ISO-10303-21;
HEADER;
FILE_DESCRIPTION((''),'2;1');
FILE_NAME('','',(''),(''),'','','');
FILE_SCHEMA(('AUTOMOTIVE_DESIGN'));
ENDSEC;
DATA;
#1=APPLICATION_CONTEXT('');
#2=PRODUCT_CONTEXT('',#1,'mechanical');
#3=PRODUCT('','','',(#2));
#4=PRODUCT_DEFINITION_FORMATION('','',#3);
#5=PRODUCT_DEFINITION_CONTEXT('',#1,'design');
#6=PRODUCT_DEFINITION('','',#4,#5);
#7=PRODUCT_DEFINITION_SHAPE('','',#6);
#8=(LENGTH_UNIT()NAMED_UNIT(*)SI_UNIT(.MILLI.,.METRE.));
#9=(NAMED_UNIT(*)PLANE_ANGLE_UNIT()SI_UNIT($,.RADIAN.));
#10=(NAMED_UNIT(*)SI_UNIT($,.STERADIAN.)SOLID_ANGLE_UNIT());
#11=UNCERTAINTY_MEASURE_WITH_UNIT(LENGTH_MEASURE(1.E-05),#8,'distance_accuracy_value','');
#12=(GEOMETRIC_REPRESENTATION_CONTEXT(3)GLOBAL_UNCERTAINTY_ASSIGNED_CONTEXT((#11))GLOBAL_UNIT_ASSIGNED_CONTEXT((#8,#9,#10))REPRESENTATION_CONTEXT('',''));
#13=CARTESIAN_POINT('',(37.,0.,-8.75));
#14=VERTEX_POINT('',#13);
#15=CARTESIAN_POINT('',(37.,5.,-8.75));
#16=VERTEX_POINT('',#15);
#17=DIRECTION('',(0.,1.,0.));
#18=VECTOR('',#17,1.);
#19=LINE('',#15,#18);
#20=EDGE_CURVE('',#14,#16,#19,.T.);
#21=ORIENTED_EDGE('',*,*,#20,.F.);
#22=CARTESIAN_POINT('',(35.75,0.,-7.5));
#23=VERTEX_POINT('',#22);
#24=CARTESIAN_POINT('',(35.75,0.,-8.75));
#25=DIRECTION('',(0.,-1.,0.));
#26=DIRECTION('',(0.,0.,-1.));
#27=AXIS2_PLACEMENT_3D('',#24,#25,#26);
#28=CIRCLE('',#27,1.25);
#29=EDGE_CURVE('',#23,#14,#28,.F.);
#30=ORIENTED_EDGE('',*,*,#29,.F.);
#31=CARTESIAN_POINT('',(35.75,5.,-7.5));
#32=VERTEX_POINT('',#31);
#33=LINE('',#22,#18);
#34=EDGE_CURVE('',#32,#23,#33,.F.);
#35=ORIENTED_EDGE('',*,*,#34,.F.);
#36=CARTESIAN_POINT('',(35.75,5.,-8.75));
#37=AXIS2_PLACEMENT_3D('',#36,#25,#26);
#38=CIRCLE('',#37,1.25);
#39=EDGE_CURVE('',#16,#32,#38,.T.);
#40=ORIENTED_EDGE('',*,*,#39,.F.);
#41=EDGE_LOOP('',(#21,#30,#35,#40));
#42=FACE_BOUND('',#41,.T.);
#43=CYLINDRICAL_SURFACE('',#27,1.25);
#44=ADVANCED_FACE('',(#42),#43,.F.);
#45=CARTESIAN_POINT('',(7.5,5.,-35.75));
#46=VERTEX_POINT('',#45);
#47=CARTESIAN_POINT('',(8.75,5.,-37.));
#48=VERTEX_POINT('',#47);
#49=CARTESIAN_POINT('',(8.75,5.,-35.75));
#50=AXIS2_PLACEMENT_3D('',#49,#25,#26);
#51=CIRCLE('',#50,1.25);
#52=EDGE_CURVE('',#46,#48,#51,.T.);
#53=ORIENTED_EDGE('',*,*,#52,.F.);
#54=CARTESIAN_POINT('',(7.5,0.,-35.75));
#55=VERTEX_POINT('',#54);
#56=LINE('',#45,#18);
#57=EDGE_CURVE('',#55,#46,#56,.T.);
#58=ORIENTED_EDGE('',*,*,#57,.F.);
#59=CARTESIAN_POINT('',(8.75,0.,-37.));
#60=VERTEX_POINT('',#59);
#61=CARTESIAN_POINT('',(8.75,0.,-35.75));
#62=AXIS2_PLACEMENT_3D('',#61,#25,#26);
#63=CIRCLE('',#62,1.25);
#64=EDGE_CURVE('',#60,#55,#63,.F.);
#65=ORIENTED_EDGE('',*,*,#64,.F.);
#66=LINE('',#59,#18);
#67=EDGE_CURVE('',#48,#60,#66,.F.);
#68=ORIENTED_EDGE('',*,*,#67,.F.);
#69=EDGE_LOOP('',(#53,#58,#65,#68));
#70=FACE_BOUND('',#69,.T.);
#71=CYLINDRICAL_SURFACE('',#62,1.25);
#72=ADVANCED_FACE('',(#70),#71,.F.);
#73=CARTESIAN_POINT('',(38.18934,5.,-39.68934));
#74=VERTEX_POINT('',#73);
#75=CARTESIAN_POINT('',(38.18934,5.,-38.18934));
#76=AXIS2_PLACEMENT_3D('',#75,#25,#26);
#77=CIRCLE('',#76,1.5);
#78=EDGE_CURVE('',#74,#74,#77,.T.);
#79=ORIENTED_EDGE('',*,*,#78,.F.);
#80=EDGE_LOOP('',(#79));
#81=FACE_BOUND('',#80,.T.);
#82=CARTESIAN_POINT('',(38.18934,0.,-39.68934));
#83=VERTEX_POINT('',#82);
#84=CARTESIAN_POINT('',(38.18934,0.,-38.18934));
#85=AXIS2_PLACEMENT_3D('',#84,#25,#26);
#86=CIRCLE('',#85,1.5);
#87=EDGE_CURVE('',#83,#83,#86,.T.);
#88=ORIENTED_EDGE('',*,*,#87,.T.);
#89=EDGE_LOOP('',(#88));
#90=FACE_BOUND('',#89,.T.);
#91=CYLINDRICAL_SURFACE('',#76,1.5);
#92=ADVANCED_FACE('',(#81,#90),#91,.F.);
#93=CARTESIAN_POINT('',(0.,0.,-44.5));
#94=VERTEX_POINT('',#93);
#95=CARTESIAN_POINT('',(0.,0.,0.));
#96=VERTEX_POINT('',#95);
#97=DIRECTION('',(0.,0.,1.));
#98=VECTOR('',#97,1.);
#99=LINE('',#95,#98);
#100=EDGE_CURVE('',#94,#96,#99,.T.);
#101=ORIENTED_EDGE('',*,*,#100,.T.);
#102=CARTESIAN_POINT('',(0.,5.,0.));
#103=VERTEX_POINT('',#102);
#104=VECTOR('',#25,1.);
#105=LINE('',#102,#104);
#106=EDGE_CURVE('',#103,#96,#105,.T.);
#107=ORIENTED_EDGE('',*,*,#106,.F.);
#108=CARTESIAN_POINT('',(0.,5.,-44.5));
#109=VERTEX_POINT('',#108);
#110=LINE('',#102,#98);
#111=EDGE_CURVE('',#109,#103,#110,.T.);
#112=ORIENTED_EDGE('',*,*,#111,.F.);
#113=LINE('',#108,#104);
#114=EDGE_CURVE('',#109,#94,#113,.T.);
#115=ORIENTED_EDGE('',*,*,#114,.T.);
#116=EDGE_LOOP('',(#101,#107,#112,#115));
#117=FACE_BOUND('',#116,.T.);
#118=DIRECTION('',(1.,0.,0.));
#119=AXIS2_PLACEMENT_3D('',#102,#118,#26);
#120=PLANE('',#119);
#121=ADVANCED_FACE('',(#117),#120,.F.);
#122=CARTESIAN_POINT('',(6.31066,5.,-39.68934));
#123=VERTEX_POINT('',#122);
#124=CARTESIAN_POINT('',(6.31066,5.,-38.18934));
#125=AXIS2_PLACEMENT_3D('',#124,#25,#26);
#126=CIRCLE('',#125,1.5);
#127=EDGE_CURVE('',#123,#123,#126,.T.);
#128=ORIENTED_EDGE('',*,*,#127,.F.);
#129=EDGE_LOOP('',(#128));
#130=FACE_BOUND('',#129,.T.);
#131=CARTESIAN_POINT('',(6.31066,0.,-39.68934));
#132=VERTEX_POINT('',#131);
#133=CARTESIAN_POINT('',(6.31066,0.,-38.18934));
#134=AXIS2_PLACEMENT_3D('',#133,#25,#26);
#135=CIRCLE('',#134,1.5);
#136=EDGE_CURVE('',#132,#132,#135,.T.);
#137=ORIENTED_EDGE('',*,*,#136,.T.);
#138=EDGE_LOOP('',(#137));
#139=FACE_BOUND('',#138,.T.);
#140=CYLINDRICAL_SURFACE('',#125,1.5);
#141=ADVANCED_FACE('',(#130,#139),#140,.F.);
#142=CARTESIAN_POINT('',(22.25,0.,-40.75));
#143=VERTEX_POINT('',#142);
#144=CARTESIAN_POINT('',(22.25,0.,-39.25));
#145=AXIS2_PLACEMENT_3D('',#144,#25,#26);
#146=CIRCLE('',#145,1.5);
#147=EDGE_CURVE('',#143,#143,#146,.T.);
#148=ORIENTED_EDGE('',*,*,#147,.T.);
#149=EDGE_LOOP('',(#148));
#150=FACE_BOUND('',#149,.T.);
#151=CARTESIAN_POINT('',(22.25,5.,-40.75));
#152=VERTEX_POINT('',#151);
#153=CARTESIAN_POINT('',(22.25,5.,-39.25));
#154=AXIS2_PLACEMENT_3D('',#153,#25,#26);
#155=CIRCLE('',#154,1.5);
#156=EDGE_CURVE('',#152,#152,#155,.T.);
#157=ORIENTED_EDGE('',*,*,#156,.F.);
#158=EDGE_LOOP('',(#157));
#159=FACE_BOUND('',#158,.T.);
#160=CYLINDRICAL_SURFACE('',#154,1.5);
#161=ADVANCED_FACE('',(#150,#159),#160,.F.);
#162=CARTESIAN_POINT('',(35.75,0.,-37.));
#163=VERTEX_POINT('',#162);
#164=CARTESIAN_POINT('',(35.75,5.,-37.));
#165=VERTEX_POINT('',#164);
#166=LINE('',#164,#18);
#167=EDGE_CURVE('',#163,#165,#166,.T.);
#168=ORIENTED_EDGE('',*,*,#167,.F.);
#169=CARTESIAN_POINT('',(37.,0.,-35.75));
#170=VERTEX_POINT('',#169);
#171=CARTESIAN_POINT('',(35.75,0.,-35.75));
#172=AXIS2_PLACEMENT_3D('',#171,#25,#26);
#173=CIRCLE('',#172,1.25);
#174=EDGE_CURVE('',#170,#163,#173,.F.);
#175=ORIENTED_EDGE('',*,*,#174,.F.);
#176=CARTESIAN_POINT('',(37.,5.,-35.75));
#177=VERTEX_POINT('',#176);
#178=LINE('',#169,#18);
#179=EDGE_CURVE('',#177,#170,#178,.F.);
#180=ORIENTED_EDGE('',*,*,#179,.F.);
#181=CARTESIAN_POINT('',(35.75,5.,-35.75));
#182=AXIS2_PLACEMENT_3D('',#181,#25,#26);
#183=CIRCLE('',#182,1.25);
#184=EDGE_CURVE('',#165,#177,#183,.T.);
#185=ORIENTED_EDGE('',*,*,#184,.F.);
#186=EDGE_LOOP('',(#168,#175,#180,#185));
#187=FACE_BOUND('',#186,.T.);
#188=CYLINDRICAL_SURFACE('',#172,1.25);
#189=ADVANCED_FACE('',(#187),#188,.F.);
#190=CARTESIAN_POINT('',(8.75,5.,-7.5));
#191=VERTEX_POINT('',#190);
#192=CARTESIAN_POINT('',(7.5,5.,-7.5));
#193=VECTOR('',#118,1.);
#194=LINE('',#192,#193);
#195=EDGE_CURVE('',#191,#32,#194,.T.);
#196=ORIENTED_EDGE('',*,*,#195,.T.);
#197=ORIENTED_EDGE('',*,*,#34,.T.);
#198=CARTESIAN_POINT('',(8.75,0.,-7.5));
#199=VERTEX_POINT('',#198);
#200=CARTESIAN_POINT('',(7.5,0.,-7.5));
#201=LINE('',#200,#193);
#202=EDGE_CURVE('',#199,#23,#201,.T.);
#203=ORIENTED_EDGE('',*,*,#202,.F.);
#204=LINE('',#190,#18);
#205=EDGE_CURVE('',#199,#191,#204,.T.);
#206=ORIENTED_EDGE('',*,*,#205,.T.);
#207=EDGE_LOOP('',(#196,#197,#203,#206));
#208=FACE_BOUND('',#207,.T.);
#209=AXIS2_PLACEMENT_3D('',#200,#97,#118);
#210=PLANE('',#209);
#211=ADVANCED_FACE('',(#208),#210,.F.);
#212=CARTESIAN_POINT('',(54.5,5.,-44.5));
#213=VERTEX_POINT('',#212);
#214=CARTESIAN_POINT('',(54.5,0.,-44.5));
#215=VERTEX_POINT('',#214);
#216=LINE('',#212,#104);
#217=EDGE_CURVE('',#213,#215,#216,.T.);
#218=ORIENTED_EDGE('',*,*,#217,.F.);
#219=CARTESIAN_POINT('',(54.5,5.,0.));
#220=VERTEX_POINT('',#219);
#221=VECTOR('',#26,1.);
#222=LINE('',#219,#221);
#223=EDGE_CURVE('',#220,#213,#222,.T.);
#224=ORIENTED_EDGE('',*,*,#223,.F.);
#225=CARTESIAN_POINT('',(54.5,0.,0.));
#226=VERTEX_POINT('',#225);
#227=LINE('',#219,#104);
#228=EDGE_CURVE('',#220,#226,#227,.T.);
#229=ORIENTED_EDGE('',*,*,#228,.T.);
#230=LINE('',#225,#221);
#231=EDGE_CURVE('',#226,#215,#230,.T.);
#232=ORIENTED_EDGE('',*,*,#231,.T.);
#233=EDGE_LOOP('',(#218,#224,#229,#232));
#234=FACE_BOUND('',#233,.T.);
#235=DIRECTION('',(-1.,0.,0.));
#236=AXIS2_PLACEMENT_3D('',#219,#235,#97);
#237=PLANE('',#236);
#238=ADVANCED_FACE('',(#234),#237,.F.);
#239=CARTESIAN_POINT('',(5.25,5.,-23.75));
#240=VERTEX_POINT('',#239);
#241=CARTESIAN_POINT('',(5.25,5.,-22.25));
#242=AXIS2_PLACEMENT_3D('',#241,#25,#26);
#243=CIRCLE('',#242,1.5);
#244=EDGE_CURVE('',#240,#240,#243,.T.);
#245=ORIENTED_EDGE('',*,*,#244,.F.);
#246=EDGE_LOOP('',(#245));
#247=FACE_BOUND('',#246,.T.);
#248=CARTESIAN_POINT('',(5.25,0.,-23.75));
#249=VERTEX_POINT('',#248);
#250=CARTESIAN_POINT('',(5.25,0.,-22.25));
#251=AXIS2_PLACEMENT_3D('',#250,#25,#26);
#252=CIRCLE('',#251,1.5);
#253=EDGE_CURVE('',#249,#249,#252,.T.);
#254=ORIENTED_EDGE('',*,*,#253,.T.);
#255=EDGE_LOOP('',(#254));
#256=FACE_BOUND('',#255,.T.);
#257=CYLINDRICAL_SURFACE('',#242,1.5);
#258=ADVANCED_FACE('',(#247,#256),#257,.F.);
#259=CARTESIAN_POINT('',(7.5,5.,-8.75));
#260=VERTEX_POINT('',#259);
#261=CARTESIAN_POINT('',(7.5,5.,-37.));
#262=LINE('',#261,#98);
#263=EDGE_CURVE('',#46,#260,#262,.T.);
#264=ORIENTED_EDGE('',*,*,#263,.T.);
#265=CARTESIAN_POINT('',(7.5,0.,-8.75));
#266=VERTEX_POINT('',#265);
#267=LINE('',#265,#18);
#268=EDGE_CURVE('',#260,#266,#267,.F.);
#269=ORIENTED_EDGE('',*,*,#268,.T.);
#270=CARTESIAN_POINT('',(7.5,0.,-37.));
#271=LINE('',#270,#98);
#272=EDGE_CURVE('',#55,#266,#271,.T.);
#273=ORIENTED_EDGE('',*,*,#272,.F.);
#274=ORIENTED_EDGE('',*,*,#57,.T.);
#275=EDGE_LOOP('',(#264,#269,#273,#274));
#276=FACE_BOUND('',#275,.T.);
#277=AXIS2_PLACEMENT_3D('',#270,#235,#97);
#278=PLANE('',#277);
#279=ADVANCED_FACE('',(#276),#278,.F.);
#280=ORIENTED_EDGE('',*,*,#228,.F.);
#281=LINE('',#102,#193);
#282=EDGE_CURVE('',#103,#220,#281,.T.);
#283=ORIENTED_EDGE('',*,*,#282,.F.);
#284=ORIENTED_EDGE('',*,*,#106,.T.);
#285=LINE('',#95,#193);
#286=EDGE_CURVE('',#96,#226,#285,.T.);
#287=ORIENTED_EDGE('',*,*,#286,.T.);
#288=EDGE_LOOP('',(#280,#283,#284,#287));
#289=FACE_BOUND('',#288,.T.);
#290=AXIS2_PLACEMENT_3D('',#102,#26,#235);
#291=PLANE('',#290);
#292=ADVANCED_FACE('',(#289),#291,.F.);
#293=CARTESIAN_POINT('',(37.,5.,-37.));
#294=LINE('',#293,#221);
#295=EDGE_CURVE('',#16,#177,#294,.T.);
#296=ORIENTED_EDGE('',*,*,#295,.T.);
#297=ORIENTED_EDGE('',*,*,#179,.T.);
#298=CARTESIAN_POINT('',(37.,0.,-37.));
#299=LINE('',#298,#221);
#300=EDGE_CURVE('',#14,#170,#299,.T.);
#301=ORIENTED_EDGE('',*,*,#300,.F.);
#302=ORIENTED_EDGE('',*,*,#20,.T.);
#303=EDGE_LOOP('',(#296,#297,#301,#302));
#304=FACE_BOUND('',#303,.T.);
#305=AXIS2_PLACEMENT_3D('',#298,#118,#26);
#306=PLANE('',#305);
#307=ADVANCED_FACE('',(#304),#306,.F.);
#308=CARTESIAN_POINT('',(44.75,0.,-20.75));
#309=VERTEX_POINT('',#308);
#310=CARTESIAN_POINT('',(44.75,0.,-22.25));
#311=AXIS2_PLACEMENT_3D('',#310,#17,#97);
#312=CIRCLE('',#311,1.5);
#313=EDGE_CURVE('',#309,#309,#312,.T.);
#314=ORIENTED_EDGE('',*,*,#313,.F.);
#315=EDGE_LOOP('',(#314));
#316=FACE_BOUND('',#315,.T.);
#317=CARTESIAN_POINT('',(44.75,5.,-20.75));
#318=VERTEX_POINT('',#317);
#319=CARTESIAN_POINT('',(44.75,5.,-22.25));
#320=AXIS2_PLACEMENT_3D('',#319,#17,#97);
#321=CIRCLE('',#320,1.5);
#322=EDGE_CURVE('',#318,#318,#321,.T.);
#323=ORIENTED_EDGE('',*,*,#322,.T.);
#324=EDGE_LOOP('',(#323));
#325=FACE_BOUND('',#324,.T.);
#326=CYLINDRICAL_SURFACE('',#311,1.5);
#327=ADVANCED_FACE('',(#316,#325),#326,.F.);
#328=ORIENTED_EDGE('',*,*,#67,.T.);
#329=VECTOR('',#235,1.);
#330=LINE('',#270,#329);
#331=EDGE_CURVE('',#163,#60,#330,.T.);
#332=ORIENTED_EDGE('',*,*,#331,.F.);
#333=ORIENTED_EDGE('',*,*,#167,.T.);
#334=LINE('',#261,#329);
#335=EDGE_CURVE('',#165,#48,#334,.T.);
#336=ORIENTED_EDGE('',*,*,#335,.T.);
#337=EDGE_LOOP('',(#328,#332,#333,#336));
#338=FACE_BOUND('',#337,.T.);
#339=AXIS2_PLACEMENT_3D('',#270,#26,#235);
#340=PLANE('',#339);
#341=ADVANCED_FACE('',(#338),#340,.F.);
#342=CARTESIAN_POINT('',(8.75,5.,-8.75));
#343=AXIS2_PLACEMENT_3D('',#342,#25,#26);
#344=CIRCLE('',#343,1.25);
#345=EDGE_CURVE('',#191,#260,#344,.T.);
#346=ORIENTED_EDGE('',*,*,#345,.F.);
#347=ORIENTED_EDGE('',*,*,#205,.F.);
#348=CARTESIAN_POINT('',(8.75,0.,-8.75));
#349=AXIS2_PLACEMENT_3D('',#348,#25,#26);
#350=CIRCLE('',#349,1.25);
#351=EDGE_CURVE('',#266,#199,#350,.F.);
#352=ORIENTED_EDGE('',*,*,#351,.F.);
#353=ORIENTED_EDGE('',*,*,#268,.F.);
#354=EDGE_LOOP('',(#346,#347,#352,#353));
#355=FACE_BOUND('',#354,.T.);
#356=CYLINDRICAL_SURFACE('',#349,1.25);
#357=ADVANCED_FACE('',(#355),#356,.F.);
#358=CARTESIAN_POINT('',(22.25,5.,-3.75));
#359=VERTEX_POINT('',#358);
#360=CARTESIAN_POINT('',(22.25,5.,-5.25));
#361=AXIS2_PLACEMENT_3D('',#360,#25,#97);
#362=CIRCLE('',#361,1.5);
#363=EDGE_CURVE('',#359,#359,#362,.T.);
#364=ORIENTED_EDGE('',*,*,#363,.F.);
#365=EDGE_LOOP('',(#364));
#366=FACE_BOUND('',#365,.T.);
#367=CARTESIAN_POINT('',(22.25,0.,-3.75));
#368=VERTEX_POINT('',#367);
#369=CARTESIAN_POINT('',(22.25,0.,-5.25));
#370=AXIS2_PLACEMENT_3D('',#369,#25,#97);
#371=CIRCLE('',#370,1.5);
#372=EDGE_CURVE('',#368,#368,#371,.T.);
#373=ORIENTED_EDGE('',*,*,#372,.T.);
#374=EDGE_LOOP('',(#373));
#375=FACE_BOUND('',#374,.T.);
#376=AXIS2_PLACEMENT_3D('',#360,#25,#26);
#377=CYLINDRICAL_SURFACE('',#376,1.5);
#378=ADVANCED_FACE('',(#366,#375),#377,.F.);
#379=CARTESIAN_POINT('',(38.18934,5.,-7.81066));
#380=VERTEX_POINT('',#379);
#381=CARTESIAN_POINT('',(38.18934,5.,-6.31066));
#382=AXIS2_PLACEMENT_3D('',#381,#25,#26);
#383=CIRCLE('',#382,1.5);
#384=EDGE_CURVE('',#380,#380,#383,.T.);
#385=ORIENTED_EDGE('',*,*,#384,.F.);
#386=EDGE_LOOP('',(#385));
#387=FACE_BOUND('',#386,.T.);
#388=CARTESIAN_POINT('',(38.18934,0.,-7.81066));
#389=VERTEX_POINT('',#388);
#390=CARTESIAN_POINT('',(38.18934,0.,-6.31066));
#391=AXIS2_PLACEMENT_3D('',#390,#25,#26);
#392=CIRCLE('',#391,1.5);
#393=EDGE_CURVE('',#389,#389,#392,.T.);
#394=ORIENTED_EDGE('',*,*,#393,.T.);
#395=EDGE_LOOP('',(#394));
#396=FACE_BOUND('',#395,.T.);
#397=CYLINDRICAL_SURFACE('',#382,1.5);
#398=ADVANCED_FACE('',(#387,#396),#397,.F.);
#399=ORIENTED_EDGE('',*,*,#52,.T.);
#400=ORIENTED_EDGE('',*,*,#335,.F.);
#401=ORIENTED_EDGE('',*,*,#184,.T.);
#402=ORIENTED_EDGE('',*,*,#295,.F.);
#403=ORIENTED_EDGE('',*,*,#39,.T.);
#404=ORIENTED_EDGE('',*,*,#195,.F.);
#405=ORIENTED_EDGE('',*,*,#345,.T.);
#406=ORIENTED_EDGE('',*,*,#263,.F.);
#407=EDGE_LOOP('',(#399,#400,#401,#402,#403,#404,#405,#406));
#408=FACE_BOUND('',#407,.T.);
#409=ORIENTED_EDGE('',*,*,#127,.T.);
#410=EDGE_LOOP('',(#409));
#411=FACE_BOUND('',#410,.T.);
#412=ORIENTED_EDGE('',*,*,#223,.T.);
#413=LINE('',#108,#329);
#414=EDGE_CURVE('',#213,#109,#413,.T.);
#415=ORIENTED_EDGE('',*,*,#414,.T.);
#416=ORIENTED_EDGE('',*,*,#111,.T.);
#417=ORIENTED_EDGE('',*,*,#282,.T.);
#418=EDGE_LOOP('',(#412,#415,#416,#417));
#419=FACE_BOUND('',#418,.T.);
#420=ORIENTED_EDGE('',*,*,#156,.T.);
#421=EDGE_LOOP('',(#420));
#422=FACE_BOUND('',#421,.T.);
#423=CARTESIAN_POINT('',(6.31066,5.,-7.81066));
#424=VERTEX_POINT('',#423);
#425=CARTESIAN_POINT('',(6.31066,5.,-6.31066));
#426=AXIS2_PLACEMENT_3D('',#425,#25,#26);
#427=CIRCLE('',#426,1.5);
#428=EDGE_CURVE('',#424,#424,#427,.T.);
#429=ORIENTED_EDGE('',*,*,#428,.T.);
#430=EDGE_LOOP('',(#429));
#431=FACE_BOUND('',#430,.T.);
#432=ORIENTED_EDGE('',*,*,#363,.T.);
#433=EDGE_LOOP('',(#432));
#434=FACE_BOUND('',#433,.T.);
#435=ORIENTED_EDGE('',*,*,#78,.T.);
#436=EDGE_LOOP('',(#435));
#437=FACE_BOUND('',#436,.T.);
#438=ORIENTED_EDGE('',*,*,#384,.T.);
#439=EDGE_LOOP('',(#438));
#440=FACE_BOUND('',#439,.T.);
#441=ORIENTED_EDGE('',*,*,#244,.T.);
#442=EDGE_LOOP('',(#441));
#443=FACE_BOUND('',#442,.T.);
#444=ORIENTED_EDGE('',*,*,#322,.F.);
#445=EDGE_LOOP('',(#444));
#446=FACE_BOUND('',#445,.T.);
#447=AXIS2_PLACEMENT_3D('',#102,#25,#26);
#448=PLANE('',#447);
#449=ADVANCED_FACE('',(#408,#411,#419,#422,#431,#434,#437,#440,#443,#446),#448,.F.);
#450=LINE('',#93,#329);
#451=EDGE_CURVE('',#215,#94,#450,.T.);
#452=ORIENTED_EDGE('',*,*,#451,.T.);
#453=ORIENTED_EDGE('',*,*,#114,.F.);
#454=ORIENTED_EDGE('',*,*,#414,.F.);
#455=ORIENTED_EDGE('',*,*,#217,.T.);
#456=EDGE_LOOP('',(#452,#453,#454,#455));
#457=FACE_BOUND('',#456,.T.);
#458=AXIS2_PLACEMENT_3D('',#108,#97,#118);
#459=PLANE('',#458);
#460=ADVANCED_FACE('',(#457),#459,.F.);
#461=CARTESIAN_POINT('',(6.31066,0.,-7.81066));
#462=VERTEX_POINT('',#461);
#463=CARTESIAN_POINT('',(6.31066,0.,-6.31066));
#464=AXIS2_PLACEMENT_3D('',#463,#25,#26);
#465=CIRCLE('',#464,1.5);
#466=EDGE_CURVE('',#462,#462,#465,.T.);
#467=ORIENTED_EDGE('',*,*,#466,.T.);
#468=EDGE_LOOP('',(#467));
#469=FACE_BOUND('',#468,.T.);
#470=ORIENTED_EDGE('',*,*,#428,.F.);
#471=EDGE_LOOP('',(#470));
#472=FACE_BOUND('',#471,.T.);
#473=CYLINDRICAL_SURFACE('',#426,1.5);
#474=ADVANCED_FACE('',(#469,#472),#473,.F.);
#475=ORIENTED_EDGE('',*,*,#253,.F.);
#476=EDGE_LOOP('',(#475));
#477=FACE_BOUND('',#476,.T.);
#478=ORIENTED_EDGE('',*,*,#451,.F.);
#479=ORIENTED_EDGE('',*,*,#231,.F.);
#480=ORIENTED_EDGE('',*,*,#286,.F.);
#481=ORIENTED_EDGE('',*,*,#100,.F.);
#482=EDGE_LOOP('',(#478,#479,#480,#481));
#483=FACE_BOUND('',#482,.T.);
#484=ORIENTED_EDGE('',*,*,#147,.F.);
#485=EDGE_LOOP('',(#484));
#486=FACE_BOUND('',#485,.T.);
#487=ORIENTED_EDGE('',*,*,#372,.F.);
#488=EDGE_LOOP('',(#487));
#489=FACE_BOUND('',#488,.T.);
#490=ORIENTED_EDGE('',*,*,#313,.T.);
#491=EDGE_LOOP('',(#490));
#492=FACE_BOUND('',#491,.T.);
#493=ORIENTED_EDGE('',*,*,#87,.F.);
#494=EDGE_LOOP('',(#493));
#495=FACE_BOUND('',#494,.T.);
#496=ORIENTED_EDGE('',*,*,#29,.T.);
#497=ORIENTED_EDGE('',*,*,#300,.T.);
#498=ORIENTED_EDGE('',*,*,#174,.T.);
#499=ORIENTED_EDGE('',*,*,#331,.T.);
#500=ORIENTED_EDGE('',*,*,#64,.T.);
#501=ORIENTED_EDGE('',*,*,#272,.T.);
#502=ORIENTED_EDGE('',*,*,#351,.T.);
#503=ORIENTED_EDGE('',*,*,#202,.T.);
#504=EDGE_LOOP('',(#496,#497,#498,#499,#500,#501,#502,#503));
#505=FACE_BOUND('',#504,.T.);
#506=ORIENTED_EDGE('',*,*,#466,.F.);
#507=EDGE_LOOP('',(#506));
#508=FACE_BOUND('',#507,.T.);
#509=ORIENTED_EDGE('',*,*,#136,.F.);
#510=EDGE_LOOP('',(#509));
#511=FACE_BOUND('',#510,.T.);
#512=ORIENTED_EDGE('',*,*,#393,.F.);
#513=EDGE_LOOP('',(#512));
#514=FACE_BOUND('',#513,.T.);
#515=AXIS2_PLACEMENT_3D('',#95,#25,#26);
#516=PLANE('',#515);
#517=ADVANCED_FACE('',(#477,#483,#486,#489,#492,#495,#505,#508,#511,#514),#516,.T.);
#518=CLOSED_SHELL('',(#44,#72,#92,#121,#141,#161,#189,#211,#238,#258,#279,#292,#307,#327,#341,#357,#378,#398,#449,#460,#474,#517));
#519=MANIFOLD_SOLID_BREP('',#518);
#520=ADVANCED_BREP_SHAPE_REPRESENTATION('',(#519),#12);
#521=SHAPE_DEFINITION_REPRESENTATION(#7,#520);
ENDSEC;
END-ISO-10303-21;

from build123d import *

# Parameters (mm, degrees)
SKETCH_1_W          = 54.5
SKETCH_1_H          = 44.5
EXTRUDE_1_DEPTH     = 5
SKETCH_2_W          = 29.5
SKETCH_2_H          = 29.5
CUT_EXTRUDE_1_DEPTH = 71.537224215
FILLET_1_R          = 1.25
SKETCH_4_R          = 1.5
CUT_EXTRUDE_2_DEPTH = 71.537224215
SKETCH_7_R          = 1.5
CUT_EXTRUDE_3_DEPTH = 71.537224215


with BuildPart() as part:
    # Эскиз1 → Бобышка-Вытянуть1 (new body)
    with BuildSketch(Plane(origin=(0, 0, 0), x_dir=(1, 0, 0), z_dir=(0, 1, 0))):
        with Locations((27.25, 22.25)):
            Rectangle(SKETCH_1_W, SKETCH_1_H)
    extrude(amount=EXTRUDE_1_DEPTH)

    # Эскиз2 → Вырез-Вытянуть1 (cut, through all)
    with BuildSketch(Plane(origin=(0, 5, 0), x_dir=(1, 0, 0), z_dir=(0, 1, 0))):
        with Locations((22.25, 22.25)):
            Rectangle(SKETCH_2_W, SKETCH_2_H)
    extrude(amount=-CUT_EXTRUDE_1_DEPTH, mode=Mode.SUBTRACT)

    # Скругление1
    fillet_1_edges = [part.edges().sort_by_distance(p)[0] for p in [
        (7.5, 2.5, -7.5),
        (7.5, 2.5, -37),
        (37, 2.5, -37),
        (37, 2.5, -7.5),
    ]]
    fillet(fillet_1_edges, radius=FILLET_1_R)

    # Эскиз4 → Вырез-Вытянуть2 (cut, through all)
    with BuildSketch(Plane(origin=(0, 5, 0), x_dir=(1, 0, 0), z_dir=(0, 1, 0))):
        with Locations(Location((44.75, 22.25, 0), (0, 0, 270))):
            Circle(SKETCH_4_R)
    extrude(amount=-CUT_EXTRUDE_2_DEPTH, mode=Mode.SUBTRACT)

    # Эскиз7 → Вырез-Вытянуть3 (cut, through all)
    with BuildSketch(Plane.XZ):
        with Locations(Location((6.310660172, -38.189339828, 0), (0, 0, 270))):
            Circle(SKETCH_7_R)
        with Locations(Location((38.189339828, -38.189339828, 0), (0, 0, 270))):
            Circle(SKETCH_7_R)
        with Locations(Location((6.310660172, -6.310660172, 0), (0, 0, 270))):
            Circle(SKETCH_7_R)
        with Locations(Location((38.189339828, -6.310660172, 0), (0, 0, 270))):
            Circle(SKETCH_7_R)
        with Locations(Location((22.25, -39.25, 0), (0, 0, 270))):
            Circle(SKETCH_7_R)
        with Locations(Location((5.25, -22.25, 0), (0, 0, 270))):
            Circle(SKETCH_7_R)
        with Locations(Location((22.25, -5.25, 0), (0, 0, 90))):
            Circle(SKETCH_7_R)
    extrude(amount=-CUT_EXTRUDE_3_DEPTH, mode=Mode.SUBTRACT)


solid = part.part
